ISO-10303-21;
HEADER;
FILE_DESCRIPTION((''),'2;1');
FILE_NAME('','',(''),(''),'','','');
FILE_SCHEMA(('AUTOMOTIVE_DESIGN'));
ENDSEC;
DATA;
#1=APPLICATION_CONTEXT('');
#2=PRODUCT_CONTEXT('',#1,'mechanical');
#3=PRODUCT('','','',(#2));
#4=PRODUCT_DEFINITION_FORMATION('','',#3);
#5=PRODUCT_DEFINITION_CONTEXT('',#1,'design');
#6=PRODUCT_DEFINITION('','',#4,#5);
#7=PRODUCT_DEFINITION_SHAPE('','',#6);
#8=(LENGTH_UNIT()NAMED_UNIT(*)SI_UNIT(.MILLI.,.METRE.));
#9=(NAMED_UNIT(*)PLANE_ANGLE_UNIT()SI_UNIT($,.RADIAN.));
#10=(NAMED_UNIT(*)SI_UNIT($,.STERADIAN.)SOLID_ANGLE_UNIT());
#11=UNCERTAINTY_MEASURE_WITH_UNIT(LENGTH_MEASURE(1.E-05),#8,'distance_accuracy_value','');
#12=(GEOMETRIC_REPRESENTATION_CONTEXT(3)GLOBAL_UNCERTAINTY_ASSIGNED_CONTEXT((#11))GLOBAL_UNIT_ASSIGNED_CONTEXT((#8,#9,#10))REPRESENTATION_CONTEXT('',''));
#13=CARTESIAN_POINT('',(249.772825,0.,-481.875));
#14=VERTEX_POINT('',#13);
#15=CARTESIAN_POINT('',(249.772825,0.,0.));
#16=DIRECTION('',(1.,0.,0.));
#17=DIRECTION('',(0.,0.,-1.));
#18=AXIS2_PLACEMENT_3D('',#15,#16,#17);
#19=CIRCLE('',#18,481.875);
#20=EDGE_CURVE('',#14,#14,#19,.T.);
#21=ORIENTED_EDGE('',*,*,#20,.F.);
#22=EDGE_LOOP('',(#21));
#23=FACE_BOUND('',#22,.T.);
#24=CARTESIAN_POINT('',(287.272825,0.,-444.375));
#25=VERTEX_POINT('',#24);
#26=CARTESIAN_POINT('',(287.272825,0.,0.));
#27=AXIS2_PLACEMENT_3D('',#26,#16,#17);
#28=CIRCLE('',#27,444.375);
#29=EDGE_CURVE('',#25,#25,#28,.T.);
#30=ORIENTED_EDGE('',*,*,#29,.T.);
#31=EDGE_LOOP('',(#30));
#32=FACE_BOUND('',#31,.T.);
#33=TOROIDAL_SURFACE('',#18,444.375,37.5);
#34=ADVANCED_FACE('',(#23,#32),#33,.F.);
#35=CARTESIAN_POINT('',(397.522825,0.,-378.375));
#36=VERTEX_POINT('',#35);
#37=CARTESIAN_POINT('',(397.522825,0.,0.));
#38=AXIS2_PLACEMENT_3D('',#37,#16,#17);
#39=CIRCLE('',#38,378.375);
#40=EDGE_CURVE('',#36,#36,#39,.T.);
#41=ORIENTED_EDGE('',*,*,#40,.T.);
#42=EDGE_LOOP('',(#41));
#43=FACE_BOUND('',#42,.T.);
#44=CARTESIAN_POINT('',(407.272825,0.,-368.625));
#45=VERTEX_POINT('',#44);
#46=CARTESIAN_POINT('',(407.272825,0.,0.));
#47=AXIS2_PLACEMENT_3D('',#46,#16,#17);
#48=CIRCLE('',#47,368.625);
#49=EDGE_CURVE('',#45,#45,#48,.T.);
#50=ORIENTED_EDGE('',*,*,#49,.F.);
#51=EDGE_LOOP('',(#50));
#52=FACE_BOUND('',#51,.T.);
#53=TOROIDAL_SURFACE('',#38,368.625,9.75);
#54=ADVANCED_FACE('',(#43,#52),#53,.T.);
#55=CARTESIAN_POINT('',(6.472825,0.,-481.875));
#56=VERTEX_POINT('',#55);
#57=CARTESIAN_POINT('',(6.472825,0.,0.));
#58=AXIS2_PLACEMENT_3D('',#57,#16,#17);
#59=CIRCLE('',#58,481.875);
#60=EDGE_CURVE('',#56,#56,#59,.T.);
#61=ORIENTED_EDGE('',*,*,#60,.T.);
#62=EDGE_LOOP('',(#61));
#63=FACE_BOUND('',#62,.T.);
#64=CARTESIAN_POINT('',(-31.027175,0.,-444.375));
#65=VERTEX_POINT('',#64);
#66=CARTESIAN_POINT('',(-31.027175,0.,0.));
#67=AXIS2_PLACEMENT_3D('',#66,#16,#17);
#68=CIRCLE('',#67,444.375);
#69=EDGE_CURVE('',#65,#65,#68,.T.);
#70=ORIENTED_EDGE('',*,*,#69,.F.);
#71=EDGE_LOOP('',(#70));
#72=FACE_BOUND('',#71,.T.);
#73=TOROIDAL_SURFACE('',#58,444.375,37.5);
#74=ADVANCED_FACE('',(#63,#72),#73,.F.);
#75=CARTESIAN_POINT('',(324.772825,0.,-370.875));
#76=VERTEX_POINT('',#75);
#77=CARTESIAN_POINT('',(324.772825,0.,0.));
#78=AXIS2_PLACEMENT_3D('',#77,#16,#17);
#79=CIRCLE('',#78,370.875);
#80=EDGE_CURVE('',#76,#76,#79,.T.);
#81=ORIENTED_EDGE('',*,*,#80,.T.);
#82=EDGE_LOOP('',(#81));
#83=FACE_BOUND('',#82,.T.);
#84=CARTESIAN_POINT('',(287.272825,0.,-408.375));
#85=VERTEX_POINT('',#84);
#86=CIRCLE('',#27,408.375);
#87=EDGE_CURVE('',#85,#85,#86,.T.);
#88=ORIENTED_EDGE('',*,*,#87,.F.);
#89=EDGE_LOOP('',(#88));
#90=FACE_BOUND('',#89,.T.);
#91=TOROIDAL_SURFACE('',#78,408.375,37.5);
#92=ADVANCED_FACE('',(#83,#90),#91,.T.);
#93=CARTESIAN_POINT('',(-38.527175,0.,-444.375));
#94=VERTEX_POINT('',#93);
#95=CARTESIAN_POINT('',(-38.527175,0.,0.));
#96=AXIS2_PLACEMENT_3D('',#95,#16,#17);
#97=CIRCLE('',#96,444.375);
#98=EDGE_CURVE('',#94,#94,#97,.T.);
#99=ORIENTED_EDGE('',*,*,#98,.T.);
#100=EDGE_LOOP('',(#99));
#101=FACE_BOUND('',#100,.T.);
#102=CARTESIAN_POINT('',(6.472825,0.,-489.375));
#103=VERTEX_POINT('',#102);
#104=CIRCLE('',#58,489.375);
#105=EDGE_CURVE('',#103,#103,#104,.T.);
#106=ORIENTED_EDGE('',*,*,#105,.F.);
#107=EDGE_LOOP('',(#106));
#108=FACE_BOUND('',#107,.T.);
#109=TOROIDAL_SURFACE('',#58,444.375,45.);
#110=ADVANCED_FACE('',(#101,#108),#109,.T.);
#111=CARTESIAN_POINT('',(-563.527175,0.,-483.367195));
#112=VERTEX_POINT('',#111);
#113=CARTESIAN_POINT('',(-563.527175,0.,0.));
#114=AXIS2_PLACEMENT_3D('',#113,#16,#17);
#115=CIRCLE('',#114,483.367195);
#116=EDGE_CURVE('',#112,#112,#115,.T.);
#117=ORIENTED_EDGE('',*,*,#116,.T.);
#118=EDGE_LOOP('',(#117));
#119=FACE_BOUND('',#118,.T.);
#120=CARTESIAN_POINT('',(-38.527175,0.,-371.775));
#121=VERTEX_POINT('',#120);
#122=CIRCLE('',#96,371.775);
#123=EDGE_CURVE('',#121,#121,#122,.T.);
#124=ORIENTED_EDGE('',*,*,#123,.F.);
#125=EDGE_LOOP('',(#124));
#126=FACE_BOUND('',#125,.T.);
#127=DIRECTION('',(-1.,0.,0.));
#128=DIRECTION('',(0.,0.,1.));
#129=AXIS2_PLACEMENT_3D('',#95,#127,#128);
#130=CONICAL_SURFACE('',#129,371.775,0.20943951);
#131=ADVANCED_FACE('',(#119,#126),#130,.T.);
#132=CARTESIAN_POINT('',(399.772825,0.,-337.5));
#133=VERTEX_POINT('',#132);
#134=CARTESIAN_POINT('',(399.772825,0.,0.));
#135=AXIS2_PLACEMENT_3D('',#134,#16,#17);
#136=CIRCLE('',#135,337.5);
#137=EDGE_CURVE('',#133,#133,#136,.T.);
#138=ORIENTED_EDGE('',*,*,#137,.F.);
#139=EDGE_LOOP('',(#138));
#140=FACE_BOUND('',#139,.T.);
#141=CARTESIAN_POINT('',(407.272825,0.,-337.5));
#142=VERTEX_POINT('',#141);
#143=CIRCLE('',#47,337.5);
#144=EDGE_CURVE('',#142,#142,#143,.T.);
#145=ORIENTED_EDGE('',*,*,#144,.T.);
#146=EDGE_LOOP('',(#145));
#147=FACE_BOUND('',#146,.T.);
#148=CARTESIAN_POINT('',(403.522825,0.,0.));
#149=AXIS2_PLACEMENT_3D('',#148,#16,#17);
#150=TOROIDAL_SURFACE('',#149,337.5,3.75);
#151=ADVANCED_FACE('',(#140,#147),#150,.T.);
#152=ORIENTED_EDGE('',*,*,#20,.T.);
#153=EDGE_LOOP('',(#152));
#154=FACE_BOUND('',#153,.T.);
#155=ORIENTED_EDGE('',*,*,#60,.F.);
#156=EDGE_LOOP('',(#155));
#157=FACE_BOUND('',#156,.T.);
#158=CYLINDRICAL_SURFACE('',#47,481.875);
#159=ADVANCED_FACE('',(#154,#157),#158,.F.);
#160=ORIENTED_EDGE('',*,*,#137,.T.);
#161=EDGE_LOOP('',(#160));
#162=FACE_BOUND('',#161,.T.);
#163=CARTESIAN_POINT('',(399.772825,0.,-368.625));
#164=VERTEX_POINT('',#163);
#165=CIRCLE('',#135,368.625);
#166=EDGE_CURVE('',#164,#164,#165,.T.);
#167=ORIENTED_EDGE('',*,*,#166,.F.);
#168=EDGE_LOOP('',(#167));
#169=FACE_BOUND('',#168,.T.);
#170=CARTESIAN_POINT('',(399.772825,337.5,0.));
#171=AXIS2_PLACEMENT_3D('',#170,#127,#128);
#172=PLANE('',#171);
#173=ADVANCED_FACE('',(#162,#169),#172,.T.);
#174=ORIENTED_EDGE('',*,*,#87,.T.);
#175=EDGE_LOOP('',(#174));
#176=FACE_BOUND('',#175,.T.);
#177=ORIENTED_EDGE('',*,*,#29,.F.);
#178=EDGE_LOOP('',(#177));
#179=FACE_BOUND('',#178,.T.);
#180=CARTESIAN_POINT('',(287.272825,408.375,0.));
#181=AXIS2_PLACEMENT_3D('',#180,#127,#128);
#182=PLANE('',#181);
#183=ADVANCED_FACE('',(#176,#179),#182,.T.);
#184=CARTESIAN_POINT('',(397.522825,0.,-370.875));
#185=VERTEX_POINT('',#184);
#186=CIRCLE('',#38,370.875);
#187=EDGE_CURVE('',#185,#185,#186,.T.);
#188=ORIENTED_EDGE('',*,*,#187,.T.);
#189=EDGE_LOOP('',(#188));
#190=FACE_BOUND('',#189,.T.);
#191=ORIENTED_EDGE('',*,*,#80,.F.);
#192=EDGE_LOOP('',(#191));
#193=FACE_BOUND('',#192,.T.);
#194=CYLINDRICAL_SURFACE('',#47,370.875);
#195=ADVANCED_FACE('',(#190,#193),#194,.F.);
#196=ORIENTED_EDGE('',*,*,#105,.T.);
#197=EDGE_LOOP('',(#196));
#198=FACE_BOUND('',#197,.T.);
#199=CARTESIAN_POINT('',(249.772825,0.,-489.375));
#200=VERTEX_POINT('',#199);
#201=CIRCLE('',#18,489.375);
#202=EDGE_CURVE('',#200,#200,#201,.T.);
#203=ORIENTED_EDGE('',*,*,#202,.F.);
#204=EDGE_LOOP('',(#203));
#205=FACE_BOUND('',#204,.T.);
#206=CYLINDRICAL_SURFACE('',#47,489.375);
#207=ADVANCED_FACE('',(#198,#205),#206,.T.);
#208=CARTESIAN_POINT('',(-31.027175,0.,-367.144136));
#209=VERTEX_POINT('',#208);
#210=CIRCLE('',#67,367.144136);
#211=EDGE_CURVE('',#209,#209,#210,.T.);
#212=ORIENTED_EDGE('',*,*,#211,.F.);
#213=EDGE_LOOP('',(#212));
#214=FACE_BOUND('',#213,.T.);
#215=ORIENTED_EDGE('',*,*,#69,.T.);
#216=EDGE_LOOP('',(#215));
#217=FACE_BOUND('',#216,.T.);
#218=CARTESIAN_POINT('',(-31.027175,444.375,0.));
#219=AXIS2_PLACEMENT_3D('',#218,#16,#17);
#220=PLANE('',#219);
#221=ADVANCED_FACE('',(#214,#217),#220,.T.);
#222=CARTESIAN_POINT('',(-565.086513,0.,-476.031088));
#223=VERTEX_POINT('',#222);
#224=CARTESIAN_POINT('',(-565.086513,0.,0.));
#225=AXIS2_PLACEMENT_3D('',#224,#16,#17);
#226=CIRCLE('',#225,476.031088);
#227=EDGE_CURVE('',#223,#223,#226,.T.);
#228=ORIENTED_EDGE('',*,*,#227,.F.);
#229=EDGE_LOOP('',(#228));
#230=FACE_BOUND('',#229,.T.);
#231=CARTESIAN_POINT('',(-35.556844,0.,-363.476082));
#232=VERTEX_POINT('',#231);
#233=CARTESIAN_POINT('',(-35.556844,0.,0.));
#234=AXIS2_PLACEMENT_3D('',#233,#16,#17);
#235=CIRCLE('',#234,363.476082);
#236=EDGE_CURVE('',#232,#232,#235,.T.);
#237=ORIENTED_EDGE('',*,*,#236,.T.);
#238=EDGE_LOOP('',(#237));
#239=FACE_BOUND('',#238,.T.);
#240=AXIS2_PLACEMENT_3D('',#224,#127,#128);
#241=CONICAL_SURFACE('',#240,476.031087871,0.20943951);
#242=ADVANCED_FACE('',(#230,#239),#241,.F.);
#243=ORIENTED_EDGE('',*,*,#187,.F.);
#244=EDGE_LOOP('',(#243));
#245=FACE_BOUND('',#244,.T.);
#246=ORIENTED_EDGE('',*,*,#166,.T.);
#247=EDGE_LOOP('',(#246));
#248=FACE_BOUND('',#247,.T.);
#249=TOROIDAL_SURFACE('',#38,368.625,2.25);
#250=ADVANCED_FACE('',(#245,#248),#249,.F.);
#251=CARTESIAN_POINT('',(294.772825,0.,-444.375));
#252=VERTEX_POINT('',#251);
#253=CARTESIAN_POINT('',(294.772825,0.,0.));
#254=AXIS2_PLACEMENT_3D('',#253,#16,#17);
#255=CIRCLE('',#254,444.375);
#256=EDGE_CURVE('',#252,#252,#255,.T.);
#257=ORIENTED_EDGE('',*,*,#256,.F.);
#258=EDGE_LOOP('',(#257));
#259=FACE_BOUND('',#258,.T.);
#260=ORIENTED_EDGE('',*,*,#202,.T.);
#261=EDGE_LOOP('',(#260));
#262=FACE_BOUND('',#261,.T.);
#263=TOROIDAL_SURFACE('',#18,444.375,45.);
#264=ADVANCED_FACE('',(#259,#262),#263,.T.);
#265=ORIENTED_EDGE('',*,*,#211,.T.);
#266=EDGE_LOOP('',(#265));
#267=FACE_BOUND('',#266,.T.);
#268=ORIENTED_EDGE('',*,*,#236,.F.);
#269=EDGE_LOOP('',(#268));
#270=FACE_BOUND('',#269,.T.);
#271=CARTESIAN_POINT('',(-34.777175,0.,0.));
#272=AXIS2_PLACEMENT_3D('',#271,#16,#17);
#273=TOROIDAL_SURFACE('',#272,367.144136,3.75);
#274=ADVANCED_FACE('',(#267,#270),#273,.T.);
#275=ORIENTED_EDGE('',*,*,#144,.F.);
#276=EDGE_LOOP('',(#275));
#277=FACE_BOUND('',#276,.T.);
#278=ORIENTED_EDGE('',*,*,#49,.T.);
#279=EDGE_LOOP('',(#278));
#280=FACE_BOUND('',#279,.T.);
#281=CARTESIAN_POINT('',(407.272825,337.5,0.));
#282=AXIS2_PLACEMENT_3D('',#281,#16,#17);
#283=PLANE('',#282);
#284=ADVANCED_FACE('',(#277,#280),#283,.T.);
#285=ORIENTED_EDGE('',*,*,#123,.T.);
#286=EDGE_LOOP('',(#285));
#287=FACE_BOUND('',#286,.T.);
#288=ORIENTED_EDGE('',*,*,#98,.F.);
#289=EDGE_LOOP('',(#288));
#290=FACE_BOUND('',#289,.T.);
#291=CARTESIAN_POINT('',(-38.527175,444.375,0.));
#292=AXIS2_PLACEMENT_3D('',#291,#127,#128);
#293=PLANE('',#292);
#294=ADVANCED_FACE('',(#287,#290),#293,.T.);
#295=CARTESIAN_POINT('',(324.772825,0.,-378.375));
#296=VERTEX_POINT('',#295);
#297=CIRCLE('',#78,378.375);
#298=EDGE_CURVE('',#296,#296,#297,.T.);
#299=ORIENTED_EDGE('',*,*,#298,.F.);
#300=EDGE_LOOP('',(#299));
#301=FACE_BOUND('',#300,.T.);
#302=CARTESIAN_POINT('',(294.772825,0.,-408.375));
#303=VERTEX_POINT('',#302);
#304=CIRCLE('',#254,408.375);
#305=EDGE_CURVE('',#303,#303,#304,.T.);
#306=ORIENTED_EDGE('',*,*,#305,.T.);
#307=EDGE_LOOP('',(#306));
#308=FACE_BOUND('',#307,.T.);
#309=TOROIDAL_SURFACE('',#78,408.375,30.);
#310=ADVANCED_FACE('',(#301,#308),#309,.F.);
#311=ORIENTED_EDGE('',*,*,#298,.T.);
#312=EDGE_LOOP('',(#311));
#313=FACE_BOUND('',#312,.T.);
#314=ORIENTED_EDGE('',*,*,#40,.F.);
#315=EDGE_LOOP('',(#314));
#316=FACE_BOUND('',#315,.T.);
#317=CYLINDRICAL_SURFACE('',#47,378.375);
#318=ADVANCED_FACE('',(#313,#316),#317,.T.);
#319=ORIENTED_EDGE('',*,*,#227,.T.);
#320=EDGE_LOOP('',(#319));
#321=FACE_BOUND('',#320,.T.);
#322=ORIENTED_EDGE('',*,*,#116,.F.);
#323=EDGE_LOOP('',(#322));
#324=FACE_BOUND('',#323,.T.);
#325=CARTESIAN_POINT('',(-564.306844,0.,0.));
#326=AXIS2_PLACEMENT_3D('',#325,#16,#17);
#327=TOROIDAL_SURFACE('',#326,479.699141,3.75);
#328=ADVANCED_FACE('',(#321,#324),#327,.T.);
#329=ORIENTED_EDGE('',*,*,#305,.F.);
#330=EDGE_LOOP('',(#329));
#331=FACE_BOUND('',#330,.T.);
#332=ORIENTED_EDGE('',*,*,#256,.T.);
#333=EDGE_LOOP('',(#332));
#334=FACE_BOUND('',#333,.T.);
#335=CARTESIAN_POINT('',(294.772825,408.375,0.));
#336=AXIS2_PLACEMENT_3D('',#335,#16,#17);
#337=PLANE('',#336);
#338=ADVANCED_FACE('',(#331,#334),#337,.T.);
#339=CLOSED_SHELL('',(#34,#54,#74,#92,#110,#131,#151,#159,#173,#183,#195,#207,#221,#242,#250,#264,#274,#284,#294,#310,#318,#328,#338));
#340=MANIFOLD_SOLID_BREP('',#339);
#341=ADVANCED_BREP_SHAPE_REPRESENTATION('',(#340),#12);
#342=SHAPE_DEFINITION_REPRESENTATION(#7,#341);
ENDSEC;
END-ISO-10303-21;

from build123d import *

# Parameters (mm, degrees)
SCALE1_SCALE = 10
SCALE2_SCALE = 0.75


with BuildPart() as part:
    # Sketch1 → Revolve1 (revolve)
    with BuildSketch(Plane.XY):
        with BuildLine():
            Line((0, 45), (0, 49.15))
            ThreePointArc((0, 49.15), (-0.380761184, 50.069238816), (-1.3, 50.45))
            Line((-1.3, 50.45), (-11, 50.45))
            ThreePointArc((-11, 50.45), (-13.828427125, 51.621572875), (-15, 54.45))
            Line((-15, 54.45), (-15, 59.25))
            ThreePointArc((-15, 59.25), (-16.757359313, 63.492640687), (-21, 65.25))
            Line((-21, 65.25), (-53.44, 65.25))
            ThreePointArc((-53.44, 65.25), (-57.682640687, 63.492640687), (-59.44, 59.25))
            Line((-59.44, 59.25), (-59.44, 49.57))
            Line((-59.44, 49.57), (-129.44, 64.448959317))
            ThreePointArc((-129.44, 64.448959317), (-130.033029646, 64.063841362), (-129.647911691, 63.470811716))
            Line((-129.647911691, 63.470811716), (-59.043955845, 48.463477621))
            ThreePointArc((-59.043955845, 48.463477621), (-58.625339804, 48.563978441), (-58.44, 48.952551422))
            Line((-58.44, 48.952551422), (-58.44, 59.25))
            ThreePointArc((-58.44, 59.25), (-56.975533906, 62.785533906), (-53.44, 64.25))
            Line((-53.44, 64.25), (-21, 64.25))
            ThreePointArc((-21, 64.25), (-17.464466094, 62.785533906), (-16, 59.25))
            Line((-16, 59.25), (-16, 54.45))
            ThreePointArc((-16, 54.45), (-14.535533906, 50.914466094), (-11, 49.45))
            Line((-11, 49.45), (-1.3, 49.45))
            ThreePointArc((-1.3, 49.45), (-1.087867966, 49.362132034), (-1, 49.15))
            Line((-1, 49.15), (-1, 45))
            ThreePointArc((-1, 45), (-0.5, 44.5), (0, 45))
        make_face()
    revolve(axis=Axis((0, 0, 0), (-1, 0, 0)))


with BuildPart() as part_1:
    # Scale1: scaled about (-60.336714815, 0, 0)
    add(part.part.scale(SCALE1_SCALE).moved(Location((543.030433335, 0, 0))))


with BuildPart() as part_2:
    # Scale2: scaled about (0, 0, 0)
    add(part_1.part.scale(SCALE2_SCALE))


solid = part_2.part
